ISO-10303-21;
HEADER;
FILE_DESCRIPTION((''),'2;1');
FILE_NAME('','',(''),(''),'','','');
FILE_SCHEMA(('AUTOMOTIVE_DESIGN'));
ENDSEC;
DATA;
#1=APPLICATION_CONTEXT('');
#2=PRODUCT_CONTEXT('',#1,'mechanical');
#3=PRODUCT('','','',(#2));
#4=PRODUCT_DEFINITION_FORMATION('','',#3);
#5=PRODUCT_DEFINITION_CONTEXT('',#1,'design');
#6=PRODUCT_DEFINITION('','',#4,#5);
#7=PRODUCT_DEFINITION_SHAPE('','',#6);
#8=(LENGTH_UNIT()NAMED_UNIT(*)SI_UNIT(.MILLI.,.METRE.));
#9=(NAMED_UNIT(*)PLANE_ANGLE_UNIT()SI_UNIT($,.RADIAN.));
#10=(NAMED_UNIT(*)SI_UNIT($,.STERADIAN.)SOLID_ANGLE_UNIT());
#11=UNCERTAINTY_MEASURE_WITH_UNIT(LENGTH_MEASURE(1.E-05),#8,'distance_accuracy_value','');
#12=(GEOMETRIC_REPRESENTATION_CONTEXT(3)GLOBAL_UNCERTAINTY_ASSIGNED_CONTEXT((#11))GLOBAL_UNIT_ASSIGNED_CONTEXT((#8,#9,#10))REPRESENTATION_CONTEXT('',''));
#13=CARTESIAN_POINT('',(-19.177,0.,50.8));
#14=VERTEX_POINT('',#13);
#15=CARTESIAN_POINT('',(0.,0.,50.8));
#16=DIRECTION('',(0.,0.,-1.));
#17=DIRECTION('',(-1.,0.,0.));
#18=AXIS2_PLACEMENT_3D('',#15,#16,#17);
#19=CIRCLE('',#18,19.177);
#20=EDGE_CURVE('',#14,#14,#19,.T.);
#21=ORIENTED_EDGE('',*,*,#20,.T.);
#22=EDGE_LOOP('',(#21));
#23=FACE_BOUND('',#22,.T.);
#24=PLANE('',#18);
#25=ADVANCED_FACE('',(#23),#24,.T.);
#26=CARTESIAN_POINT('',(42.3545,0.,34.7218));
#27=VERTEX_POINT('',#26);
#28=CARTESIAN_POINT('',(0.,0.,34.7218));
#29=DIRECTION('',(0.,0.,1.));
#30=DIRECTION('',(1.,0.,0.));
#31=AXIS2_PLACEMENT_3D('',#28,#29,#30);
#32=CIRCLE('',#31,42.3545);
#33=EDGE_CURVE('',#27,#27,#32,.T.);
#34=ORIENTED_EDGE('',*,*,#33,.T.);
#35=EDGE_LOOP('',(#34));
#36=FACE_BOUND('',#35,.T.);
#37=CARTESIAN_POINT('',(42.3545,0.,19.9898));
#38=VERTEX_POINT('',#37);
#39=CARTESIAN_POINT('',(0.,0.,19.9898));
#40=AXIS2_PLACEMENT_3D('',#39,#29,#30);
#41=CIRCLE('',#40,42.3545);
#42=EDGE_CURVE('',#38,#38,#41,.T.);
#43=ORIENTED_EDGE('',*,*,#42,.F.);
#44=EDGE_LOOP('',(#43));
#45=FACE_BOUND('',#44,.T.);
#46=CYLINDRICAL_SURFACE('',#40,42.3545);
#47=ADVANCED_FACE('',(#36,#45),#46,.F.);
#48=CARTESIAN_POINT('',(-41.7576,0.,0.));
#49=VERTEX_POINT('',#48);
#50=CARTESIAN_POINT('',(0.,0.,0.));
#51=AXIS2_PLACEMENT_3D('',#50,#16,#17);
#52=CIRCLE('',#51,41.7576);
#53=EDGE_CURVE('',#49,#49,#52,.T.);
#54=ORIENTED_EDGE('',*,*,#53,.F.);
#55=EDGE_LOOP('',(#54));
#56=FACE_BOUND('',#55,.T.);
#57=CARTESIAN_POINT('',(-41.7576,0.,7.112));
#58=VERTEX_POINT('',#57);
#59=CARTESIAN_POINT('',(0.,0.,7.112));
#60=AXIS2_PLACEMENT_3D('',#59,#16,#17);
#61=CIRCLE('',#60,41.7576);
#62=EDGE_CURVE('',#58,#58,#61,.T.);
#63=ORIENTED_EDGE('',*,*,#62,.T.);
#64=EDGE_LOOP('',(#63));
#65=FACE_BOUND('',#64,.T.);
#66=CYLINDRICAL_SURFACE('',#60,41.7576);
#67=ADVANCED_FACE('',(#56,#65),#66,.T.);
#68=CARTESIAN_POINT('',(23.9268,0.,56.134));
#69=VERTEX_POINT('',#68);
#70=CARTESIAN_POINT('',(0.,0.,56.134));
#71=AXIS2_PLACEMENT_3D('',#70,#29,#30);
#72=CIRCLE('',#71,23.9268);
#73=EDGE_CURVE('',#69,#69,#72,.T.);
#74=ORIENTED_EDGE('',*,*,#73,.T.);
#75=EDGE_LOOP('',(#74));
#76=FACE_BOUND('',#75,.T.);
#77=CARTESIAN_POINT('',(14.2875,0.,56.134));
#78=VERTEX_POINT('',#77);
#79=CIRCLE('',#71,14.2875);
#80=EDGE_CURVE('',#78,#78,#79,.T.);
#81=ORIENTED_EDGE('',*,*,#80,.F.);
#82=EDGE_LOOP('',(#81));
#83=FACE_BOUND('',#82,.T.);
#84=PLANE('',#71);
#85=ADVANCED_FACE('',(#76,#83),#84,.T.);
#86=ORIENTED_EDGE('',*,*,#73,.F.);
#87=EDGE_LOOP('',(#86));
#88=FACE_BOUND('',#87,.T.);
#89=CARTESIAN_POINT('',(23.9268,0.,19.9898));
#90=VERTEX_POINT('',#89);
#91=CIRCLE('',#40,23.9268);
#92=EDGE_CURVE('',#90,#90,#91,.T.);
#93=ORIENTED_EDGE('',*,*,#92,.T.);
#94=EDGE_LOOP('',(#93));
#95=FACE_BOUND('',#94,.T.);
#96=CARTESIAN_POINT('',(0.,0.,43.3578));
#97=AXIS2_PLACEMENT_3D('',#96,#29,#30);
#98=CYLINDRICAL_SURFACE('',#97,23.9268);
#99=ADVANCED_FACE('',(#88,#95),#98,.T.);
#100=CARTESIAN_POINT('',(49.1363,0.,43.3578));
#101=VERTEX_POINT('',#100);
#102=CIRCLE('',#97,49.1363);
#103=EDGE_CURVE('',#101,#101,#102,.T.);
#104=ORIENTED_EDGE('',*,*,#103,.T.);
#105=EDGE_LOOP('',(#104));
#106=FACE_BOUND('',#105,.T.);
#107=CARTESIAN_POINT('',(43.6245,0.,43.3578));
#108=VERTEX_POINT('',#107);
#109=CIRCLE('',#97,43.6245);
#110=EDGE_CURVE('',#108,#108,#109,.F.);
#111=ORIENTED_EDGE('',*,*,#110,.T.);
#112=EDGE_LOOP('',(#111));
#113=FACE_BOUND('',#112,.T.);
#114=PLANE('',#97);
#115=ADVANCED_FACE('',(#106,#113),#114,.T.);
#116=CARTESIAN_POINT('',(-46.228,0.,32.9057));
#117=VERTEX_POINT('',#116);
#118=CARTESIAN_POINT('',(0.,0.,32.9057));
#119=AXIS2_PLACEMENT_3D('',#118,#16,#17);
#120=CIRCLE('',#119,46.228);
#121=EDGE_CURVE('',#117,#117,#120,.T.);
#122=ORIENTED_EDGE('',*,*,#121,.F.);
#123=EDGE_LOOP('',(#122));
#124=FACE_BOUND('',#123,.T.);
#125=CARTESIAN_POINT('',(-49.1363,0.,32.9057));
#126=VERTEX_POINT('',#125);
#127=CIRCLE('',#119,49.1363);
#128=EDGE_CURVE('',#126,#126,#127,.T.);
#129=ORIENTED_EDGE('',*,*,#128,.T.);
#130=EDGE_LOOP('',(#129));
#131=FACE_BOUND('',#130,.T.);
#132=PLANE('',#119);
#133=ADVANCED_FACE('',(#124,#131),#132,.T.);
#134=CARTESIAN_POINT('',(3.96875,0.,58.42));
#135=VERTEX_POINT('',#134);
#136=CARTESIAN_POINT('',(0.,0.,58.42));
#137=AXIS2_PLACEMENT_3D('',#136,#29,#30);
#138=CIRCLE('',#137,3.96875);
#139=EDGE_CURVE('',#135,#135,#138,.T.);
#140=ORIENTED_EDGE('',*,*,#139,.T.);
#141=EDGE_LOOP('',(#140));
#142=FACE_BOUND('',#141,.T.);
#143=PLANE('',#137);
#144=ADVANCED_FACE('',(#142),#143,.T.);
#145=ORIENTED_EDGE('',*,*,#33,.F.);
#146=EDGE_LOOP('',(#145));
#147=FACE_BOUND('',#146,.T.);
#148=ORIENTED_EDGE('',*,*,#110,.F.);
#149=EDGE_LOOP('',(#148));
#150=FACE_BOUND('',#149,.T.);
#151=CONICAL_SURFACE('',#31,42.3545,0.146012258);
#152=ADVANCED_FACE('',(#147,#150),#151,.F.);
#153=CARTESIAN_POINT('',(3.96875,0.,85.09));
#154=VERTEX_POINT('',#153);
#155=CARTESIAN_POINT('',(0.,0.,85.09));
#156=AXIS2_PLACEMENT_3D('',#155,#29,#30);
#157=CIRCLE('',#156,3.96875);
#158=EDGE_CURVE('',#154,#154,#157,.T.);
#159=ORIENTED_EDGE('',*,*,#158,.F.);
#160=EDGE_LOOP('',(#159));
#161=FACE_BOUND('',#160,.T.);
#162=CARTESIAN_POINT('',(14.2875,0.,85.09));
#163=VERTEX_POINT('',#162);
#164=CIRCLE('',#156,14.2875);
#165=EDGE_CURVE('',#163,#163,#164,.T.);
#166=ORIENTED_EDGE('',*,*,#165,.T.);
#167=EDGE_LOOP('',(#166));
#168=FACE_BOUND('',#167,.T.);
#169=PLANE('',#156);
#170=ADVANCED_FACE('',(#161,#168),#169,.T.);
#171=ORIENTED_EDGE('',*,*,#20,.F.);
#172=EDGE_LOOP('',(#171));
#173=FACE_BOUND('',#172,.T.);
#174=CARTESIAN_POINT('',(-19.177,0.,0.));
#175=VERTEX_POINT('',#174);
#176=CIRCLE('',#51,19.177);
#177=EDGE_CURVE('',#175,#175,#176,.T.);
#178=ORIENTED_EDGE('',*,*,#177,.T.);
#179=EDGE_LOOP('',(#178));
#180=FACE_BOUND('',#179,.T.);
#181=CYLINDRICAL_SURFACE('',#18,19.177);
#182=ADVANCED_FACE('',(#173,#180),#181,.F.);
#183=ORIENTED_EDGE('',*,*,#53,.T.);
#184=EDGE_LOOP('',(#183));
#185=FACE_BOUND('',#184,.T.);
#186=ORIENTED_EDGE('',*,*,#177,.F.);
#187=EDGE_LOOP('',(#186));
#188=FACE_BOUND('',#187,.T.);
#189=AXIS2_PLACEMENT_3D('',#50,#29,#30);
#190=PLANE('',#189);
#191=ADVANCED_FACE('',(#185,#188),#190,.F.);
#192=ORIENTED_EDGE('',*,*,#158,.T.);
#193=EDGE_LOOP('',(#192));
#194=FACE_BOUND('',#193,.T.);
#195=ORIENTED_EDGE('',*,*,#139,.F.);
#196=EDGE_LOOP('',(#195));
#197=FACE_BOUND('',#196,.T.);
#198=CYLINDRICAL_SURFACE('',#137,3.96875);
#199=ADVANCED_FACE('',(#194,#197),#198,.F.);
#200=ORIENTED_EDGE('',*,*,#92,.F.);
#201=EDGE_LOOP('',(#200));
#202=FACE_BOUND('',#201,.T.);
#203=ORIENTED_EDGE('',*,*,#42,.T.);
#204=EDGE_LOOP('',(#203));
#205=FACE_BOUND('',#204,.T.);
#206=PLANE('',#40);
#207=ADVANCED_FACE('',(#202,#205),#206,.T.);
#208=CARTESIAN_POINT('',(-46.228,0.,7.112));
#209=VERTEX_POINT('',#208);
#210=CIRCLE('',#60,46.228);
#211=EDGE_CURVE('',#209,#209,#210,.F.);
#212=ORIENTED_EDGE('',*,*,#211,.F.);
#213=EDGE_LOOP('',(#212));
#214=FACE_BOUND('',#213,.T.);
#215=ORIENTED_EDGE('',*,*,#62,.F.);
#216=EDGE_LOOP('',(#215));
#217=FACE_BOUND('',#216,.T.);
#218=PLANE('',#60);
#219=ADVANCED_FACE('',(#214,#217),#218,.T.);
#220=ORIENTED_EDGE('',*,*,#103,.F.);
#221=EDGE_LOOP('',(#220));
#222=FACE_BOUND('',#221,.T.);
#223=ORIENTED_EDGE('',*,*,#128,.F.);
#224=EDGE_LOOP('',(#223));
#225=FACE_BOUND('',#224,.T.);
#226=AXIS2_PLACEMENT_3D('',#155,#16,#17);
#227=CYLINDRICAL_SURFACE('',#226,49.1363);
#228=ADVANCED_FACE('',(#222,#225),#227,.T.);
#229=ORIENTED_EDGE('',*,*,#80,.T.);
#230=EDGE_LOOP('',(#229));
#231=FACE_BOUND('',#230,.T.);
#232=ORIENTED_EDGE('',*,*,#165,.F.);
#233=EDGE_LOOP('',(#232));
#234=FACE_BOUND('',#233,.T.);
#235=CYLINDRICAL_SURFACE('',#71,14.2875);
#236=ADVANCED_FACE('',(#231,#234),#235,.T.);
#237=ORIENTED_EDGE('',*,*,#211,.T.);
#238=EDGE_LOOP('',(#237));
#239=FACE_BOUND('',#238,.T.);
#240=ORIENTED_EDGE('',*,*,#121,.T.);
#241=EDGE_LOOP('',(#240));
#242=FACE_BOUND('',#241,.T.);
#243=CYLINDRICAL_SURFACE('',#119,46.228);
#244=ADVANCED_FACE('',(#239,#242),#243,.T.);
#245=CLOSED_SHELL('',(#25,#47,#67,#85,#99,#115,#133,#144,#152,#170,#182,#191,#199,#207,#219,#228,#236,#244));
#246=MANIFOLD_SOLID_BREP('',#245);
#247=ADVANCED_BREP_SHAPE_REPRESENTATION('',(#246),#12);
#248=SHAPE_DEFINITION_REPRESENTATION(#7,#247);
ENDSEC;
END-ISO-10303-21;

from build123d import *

# Parameters (mm, degrees)
SKETCH1_R         = 49.1363
EXTRUDE1_DEPTH    = 85.09
SKETCH5_R         = 3.96875
EXTRUDE5_DEPTH    = 26.67
SKETCH2_OUTSIDE_W = 132.864
SKETCH2_OUTSIDE_H = 132.864
SKETCH2_OUTSIDE_R = 14.2875
EXTRUDE2_DEPTH    = 28.956
SKETCH3_OUTSIDE_W = 132.864
SKETCH3_OUTSIDE_H = 132.864
SKETCH3_OUTSIDE_R = 23.9268
EXTRUDE3_DEPTH    = 12.7762
SKETCH4_OUTSIDE_W = 132.864
SKETCH4_OUTSIDE_H = 132.864
SKETCH4_OUTSIDE_R = 46.228
EXTRUDE4_DEPTH    = 32.9057
SKETCH6_R         = 42.3545
SKETCH6_R_2       = 23.9268
EXTRUDE8_DEPTH    = 23.368
SKETCH7_R         = 19.177
EXTRUDE9_DEPTH    = 50.8
SKETCH8_OUTSIDE_W = 132.864
SKETCH8_OUTSIDE_H = 132.864
SKETCH8_OUTSIDE_R = 41.7576
EXTRUDE10_DEPTH   = 7.112
CHAMFER1_SIZE     = 1.27
CHAMFER1_SIZE2    = 8.636


with BuildPart() as part:
    # Sketch1 → Extrude1 (new body)
    with BuildSketch(Plane.XY):
        Circle(SKETCH1_R)
    extrude(amount=EXTRUDE1_DEPTH)

    # Sketch5 → Extrude5 (cut)
    with BuildSketch(Plane.XY.offset(85.09)):
        Circle(SKETCH5_R)
    extrude(amount=-EXTRUDE5_DEPTH, mode=Mode.SUBTRACT)

    # Sketch2 outside → Extrude2 (cut)
    with BuildSketch(Plane.XY.offset(85.09)):
        Rectangle(SKETCH2_OUTSIDE_W, SKETCH2_OUTSIDE_H)
        Circle(SKETCH2_OUTSIDE_R, mode=Mode.SUBTRACT)
    extrude(amount=-EXTRUDE2_DEPTH, mode=Mode.SUBTRACT)

    # Sketch3 outside → Extrude3 (cut)
    with BuildSketch(Plane.XY.offset(56.134)):
        Rectangle(SKETCH3_OUTSIDE_W, SKETCH3_OUTSIDE_H)
        Circle(SKETCH3_OUTSIDE_R, mode=Mode.SUBTRACT)
    extrude(amount=-EXTRUDE3_DEPTH, mode=Mode.SUBTRACT)

    # Sketch4 outside → Extrude4 (cut)
    with BuildSketch(Plane(origin=(0, 0, 0), x_dir=(-1, 0, 0), z_dir=(0, 0, -1))):
        Rectangle(SKETCH4_OUTSIDE_W, SKETCH4_OUTSIDE_H)
        Circle(SKETCH4_OUTSIDE_R, mode=Mode.SUBTRACT)
    extrude(amount=-EXTRUDE4_DEPTH, mode=Mode.SUBTRACT)

    # Sketch6 → Extrude8 (cut)
    with BuildSketch(Plane.XY.offset(43.3578)):
        Circle(SKETCH6_R)
        Circle(SKETCH6_R_2, mode=Mode.SUBTRACT)
    extrude(amount=-EXTRUDE8_DEPTH, mode=Mode.SUBTRACT)

    # Sketch7 → Extrude9 (cut)
    with BuildSketch(Plane(origin=(0, 0, 0), x_dir=(-1, 0, 0), z_dir=(0, 0, -1))):
        Circle(SKETCH7_R)
    extrude(amount=-EXTRUDE9_DEPTH, mode=Mode.SUBTRACT)

    # Sketch8 outside → Extrude10 (cut)
    with BuildSketch(Plane(origin=(0, 0, 0), x_dir=(-1, 0, 0), z_dir=(0, 0, -1))):
        Rectangle(SKETCH8_OUTSIDE_W, SKETCH8_OUTSIDE_H)
        Circle(SKETCH8_OUTSIDE_R, mode=Mode.SUBTRACT)
    extrude(amount=-EXTRUDE10_DEPTH, mode=Mode.SUBTRACT)

    # Chamfer1
    chamfer1_edges = [part.edges().sort_by_distance(p)[0] for p in [
        (-42.3545, 0, 43.3578),
    ]]
    chamfer1_side = [part.faces().sort_by_distance(p)[0] for p in [
        (-47.746515563, 0, 43.3578),
    ]]
    chamfer(chamfer1_edges, length=CHAMFER1_SIZE, length2=CHAMFER1_SIZE2, reference=chamfer1_side[0])


solid = part.part
